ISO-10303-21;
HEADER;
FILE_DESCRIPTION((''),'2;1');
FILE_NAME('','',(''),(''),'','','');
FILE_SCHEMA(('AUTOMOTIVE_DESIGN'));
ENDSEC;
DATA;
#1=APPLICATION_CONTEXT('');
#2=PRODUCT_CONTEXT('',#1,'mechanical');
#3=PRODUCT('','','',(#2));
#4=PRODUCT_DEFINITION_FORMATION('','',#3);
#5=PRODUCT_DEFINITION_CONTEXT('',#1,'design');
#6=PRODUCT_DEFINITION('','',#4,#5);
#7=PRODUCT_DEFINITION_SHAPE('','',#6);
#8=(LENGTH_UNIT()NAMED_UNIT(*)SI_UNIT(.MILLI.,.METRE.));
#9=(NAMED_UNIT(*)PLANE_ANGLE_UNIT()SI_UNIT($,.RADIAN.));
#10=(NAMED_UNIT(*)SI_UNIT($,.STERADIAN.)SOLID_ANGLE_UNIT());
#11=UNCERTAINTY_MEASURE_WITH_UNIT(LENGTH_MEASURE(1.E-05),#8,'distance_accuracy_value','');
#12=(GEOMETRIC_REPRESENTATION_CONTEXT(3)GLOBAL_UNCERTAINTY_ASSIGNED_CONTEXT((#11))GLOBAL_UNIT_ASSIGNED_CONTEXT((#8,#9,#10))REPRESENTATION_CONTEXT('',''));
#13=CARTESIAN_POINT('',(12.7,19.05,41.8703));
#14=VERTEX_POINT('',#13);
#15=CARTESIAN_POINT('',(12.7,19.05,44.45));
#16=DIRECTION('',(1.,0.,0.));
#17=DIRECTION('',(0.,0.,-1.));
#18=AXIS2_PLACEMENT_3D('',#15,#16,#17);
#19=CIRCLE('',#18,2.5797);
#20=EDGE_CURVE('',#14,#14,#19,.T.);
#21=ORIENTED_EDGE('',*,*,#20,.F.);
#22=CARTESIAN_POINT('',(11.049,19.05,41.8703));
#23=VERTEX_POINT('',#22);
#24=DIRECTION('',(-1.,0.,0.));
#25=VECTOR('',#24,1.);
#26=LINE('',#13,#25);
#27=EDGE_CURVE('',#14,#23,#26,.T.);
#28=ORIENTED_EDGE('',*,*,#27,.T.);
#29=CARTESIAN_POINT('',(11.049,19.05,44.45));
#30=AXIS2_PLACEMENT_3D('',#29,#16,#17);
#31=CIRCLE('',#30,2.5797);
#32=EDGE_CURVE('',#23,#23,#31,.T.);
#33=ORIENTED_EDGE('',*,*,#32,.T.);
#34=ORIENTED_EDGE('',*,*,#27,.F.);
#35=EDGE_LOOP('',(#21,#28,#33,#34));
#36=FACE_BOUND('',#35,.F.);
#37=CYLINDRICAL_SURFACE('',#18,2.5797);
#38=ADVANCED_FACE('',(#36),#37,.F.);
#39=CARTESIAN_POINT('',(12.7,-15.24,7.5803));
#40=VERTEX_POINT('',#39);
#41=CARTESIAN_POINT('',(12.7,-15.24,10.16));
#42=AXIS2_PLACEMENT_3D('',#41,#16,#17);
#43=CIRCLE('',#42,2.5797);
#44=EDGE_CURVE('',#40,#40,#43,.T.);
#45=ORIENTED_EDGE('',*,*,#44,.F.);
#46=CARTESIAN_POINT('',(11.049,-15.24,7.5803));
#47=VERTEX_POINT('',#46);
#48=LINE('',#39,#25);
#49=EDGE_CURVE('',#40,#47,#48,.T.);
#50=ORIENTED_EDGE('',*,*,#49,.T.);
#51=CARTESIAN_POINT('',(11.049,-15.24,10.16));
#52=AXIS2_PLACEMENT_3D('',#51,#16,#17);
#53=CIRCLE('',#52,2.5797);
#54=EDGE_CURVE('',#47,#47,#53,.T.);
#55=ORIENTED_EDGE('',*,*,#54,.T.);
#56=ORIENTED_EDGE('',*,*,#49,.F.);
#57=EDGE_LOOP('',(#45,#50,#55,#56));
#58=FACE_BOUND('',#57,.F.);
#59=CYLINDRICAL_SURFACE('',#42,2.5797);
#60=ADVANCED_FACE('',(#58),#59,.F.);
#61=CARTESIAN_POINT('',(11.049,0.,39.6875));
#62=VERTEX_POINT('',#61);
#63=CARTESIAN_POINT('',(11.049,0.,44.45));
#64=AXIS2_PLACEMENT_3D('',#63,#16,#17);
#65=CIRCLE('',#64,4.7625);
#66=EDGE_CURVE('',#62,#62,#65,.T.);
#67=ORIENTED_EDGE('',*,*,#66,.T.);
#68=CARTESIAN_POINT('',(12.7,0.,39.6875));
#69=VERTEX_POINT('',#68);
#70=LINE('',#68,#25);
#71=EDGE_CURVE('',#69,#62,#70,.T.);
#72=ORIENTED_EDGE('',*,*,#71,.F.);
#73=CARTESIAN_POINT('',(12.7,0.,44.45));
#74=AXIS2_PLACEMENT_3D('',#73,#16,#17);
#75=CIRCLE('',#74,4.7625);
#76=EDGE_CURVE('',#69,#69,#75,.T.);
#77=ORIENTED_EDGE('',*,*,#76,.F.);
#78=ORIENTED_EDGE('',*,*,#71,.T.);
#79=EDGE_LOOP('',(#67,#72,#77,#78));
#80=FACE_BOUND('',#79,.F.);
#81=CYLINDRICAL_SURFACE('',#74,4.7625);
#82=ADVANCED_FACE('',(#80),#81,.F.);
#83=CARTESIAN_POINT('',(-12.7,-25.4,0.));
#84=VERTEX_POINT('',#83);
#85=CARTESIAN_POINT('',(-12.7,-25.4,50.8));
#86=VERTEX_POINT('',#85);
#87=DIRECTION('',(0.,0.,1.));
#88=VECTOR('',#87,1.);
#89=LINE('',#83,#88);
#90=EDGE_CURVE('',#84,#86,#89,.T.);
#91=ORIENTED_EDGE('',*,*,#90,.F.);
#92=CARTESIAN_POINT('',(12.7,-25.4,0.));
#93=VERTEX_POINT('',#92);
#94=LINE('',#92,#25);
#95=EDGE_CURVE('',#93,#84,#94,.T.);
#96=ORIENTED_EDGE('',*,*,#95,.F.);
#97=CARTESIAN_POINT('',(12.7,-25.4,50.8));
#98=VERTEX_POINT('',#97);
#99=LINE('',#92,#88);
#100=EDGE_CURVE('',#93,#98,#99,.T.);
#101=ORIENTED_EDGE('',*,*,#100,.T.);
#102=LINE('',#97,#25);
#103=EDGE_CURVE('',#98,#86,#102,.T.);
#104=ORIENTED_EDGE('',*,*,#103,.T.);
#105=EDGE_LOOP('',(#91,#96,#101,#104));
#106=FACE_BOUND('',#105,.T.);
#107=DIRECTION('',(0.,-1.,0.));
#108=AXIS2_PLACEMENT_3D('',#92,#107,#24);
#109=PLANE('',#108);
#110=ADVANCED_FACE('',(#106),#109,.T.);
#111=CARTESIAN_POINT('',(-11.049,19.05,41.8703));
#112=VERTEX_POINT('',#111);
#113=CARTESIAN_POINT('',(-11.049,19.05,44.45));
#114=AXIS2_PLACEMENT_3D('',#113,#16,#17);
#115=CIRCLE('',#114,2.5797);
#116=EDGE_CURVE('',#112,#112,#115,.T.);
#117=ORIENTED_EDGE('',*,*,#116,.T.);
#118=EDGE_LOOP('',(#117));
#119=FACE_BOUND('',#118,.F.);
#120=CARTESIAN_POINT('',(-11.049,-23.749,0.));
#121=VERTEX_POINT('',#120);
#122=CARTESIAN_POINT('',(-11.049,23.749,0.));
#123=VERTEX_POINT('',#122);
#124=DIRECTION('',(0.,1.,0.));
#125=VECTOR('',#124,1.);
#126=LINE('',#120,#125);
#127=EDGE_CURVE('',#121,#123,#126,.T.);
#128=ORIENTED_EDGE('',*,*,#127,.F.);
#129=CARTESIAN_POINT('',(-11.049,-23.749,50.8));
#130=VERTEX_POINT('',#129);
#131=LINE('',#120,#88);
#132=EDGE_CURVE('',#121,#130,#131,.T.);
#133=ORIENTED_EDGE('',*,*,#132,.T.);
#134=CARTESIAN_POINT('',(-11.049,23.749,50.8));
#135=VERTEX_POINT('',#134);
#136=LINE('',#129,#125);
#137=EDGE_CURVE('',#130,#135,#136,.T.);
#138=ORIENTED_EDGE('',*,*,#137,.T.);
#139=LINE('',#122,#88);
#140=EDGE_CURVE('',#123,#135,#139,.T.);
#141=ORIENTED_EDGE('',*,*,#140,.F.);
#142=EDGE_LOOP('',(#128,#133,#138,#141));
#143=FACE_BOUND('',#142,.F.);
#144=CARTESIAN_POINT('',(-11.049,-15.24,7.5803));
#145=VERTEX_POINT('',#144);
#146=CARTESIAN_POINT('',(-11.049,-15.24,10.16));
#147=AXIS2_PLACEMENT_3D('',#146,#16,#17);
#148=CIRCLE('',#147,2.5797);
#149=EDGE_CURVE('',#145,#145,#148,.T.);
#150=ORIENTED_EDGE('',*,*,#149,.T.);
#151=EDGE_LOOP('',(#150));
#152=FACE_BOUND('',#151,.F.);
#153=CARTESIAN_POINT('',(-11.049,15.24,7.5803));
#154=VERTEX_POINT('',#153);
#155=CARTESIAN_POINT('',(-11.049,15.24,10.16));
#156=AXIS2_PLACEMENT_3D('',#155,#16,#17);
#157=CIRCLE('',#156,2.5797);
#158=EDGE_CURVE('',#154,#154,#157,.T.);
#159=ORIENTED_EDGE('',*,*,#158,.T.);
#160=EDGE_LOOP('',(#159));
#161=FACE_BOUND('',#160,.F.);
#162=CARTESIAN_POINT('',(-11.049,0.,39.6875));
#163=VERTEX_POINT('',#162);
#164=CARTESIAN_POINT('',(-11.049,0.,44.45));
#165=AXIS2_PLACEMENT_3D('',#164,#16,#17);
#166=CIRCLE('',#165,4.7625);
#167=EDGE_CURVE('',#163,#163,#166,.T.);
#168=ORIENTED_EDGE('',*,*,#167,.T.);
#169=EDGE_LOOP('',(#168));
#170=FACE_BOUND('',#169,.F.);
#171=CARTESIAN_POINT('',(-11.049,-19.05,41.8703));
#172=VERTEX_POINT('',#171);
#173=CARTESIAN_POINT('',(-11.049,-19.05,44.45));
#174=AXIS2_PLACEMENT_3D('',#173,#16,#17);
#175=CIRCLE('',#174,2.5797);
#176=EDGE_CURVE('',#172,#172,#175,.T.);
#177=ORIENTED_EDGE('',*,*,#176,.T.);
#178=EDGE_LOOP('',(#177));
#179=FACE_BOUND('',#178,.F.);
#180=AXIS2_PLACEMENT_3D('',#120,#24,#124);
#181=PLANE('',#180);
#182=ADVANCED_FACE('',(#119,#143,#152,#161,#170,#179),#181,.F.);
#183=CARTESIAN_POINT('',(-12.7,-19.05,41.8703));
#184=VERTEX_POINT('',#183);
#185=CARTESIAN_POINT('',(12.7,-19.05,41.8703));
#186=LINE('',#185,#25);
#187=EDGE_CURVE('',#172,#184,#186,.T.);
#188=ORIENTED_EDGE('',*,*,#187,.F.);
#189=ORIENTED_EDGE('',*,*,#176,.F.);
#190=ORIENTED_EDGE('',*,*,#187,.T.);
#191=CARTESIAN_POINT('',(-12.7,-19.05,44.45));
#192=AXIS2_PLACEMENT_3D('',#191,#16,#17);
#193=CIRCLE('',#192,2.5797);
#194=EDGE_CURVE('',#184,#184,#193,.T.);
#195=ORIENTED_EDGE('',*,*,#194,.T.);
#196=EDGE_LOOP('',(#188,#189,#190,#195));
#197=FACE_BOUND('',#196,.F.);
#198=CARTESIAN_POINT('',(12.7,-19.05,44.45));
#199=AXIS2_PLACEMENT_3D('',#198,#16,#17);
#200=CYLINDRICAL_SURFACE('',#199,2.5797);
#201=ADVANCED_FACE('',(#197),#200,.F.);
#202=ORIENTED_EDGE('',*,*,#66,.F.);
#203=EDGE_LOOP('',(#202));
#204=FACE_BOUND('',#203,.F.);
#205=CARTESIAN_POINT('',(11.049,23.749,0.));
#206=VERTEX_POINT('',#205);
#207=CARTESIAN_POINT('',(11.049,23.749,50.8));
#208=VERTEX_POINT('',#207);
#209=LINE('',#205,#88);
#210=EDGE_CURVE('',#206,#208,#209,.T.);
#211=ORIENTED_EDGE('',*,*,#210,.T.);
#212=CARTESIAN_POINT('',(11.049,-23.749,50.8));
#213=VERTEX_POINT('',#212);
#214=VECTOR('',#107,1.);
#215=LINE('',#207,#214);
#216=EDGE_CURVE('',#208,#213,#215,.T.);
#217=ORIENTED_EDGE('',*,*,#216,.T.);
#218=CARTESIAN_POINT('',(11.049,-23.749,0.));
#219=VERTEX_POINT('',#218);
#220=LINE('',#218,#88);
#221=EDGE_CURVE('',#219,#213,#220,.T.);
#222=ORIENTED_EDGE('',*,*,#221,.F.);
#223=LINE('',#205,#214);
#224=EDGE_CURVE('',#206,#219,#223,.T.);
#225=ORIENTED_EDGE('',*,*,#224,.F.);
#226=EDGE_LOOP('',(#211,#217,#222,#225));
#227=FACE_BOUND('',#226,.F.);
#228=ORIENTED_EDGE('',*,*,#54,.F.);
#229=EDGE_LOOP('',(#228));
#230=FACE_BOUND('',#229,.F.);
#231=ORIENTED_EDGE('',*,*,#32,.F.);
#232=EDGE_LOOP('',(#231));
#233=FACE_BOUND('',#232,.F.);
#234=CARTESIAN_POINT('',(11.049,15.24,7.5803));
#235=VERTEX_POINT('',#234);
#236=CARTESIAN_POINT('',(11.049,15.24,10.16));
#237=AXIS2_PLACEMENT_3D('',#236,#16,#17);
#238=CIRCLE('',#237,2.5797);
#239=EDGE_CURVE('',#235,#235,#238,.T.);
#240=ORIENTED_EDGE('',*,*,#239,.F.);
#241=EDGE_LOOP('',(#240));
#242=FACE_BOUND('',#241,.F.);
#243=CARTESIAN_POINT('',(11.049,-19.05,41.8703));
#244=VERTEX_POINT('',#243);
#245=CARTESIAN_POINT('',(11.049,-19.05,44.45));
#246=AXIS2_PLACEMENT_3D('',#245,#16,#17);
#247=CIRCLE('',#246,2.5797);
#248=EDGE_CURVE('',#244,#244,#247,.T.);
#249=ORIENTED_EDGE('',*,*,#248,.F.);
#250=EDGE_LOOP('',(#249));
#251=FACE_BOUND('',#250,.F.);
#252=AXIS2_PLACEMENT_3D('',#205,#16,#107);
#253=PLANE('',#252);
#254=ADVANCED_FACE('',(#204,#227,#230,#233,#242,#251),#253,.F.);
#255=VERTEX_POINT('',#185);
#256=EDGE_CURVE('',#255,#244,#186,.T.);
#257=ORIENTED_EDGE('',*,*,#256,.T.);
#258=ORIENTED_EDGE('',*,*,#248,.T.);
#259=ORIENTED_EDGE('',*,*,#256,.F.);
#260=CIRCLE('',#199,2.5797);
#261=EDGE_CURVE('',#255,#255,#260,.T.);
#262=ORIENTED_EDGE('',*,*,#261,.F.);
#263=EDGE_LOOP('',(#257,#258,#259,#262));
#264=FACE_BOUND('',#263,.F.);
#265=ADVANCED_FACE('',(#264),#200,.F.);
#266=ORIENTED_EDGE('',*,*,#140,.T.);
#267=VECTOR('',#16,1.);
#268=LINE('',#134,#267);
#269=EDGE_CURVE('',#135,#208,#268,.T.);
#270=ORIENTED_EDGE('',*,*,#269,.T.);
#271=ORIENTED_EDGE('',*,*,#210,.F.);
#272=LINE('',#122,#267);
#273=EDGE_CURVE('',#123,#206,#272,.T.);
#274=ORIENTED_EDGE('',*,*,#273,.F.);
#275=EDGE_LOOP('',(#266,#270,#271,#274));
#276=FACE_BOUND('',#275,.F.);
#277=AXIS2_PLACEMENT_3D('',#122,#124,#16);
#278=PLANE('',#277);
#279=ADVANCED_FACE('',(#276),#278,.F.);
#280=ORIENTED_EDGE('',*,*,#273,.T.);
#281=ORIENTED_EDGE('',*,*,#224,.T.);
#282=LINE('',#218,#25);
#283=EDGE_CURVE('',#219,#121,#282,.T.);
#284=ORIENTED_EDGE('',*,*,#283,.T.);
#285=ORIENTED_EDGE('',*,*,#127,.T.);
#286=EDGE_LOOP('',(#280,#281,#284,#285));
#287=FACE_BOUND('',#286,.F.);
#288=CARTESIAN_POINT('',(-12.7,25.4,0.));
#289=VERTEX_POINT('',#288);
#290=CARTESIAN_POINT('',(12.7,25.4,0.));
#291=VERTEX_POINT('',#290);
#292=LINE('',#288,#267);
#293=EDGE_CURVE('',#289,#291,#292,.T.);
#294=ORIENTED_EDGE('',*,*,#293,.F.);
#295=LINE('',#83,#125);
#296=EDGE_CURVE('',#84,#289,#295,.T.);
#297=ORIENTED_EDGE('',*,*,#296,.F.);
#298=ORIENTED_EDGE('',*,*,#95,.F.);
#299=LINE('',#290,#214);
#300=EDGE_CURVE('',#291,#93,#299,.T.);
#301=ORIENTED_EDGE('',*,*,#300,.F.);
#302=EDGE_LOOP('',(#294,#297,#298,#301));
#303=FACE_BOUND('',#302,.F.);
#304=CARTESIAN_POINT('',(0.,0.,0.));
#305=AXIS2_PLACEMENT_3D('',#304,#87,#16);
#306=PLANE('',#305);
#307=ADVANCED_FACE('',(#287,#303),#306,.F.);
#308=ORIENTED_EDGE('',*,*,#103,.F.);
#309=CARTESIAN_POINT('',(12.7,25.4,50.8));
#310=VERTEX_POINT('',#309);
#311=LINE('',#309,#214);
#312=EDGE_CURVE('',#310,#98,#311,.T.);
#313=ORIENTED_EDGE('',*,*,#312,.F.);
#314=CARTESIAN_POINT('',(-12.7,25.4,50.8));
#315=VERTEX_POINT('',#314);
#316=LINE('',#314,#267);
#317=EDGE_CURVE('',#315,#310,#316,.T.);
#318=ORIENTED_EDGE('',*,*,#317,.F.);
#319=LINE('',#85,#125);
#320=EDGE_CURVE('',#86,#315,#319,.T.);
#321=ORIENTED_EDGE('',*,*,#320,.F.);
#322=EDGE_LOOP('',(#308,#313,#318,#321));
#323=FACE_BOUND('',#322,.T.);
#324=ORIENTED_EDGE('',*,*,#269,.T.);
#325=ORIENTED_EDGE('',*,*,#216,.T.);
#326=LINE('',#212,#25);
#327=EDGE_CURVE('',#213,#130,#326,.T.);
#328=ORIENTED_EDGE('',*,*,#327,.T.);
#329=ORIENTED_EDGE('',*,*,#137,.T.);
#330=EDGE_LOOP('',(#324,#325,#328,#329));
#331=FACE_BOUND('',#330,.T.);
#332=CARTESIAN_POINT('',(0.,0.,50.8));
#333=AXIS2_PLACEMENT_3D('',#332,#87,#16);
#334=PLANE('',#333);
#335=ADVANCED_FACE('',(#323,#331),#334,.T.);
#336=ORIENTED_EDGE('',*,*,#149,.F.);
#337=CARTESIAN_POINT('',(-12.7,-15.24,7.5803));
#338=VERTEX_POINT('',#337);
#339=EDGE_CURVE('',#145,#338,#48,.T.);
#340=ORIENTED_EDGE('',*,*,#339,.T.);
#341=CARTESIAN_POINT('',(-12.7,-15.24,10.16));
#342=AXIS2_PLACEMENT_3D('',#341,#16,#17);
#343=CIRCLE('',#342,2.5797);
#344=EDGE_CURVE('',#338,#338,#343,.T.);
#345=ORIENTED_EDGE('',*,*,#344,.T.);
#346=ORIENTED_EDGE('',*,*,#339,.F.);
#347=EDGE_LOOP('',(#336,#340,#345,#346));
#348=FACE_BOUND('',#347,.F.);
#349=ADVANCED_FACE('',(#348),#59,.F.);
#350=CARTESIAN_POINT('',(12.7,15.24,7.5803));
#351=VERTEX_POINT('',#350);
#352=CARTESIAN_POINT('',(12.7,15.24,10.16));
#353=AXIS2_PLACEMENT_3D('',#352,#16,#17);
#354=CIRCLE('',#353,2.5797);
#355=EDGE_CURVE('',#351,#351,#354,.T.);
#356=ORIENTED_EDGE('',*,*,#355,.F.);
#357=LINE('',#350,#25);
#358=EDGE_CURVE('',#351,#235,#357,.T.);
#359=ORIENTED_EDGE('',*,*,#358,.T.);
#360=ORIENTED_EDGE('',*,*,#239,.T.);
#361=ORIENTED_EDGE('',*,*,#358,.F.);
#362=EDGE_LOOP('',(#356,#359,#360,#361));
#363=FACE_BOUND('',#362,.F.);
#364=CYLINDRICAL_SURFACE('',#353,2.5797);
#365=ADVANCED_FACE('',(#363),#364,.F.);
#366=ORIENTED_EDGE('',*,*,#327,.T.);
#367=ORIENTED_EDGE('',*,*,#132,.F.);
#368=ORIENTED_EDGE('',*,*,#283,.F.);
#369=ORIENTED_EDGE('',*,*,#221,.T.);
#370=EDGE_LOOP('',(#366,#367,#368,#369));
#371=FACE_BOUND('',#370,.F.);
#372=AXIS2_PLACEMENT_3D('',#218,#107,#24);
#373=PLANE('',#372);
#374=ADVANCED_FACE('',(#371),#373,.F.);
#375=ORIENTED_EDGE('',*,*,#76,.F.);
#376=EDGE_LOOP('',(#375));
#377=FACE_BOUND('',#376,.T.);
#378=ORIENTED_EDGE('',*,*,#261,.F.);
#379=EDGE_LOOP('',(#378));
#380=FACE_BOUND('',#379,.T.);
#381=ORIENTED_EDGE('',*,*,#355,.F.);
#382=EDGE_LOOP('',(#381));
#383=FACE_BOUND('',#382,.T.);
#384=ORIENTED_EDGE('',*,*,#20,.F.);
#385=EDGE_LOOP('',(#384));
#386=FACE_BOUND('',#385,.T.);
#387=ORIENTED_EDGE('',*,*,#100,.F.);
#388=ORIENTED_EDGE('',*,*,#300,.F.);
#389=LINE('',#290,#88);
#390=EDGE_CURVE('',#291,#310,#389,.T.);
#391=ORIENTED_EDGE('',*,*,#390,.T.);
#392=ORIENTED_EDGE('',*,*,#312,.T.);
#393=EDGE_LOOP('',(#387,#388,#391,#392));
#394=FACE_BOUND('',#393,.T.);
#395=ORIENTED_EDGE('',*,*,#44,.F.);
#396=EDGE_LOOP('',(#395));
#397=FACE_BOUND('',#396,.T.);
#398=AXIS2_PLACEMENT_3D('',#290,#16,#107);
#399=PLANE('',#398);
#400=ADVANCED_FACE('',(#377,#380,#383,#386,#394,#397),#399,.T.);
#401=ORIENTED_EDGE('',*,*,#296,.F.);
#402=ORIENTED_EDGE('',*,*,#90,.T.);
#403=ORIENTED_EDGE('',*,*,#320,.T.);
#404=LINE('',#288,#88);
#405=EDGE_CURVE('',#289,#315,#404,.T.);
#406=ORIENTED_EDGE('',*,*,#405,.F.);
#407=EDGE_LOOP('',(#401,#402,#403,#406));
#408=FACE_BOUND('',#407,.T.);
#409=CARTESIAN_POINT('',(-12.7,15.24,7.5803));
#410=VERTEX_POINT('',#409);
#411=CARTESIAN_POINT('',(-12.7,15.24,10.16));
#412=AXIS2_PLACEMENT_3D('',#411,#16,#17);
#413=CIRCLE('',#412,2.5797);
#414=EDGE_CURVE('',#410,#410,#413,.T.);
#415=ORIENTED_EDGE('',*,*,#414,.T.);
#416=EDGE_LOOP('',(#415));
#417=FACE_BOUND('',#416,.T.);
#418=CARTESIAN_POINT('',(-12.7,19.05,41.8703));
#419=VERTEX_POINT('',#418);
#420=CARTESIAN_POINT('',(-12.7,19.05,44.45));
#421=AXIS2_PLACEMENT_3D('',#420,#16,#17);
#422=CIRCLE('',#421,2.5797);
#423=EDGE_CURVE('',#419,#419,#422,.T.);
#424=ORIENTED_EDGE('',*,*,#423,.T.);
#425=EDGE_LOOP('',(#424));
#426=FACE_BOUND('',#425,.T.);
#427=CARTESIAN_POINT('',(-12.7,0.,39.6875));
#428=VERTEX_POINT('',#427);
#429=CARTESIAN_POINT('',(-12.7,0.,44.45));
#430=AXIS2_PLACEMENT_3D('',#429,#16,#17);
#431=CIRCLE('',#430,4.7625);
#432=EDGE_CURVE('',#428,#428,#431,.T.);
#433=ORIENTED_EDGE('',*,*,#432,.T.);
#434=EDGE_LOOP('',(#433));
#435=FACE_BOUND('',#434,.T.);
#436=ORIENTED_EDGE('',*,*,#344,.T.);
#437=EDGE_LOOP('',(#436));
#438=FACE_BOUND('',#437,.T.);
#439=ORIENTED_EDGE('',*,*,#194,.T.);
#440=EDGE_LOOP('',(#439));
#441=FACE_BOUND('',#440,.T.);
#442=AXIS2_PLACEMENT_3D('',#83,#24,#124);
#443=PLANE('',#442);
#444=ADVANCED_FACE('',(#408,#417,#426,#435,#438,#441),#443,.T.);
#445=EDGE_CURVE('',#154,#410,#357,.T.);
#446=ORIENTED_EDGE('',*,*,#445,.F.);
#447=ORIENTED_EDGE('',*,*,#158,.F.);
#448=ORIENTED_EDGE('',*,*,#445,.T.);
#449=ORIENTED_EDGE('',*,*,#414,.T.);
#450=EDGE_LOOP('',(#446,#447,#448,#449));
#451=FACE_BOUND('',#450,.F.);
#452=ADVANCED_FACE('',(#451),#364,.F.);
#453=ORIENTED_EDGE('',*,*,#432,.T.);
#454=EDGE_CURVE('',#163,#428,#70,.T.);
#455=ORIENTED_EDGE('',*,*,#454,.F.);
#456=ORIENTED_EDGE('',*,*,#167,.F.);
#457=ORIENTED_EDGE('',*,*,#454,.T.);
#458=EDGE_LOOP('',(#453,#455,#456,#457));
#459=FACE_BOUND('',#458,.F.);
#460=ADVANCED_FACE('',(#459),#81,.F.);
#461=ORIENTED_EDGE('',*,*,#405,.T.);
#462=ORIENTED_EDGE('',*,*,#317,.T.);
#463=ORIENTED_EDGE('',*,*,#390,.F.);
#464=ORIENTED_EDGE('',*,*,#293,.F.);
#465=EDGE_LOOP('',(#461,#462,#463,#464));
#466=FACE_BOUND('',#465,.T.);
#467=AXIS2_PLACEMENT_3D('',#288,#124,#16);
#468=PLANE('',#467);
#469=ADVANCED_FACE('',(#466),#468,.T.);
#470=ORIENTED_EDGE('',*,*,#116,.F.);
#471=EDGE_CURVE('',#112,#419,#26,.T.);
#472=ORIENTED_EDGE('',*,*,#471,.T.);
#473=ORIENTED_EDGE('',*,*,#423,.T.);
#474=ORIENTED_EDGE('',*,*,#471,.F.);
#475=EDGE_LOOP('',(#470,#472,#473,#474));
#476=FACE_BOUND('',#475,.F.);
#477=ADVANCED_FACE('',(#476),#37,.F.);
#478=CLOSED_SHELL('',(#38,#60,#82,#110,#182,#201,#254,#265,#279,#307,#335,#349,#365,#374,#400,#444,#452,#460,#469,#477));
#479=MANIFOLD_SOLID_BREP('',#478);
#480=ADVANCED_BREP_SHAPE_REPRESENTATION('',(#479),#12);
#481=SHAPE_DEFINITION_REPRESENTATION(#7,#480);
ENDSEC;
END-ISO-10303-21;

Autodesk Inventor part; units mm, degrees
ref_plane "YZ Plane" through (0, 0, 0) normal (1, 0, 0) x (0, 1, 0)
ref_plane "XZ Plane" through (0, 0, 0) normal (0, 1, 0) x (-1, 0, 0)
ref_plane "XY Plane" through (0, 0, 0) normal (0, 0, 1) x (1, 0, 0)
sketch "Sketch1" plane through (0, 0, 0) normal (0, 0, 1) x (1, 0, 0)
  line L0 (12.7, -25.4) -> (-12.7, -25.4)
  line L1 (-12.7, -25.4) -> (-12.7, 25.4)
  line L2 (-12.7, 25.4) -> (12.7, 25.4)
  line L3 (12.7, 25.4) -> (12.7, -25.4)
  line L4 (11.049, -23.749) -> (-11.049, -23.749)
  line L5 (-11.049, -23.749) -> (-11.049, 23.749)
  line L6 (-11.049, 23.749) -> (11.049, 23.749)
  line L7 (11.049, 23.749) -> (11.049, -23.749)
  dimension "d0" = 25.4
  dimension "d1" = 50.8
  dimension "d2" = 1.651
  dimension "d3" = 1.651
  dimension "d4" = 1.651
  dimension "d5" = 1.651
extrude "Extrusion1" add sketch "Sketch1" along normal blind 50.8
sketch "Sketch2" plane through (12.7, -25.4, 0) normal (1, 0, 0) x (0, 0, -1)
  circle A0 centre (-44.45, 25.4) radius 4.7625
  line L0 (-50.8, 0) -> (-50.8, 50.8) projected
  line L1 (0, 0) -> (-50.8, 0) projected
  point P0 (0, 25.4)
  dimension "d8" = 9.525
  dimension "d9" = 6.35
  dimension "d10" = 25.4
extrude "Extrusion2" cut sketch "Sketch2" against normal blind 50.8
sketch "Sketch3" plane through (12.7, -25.4, 0) normal (1, 0, 0) x (0, 0, -1)
  circle A0 centre (-10.16, 10.16) radius 2.5797
  circle A1 centre (-44.45, 6.35) radius 2.5797
  circle A2 centre (-44.45, 44.45) radius 2.5797
  circle A3 centre (-10.16, 40.64) radius 2.5797
  line L0 (0, 50.8) -> (-50.8, 50.8) projected
  line L1 (0, 50.8) -> (0, 0) projected
  line L2 (0, 0) -> (-50.8, 0) projected
  line L3 (-50.8, 0) -> (-50.8, 50.8) projected
  point P0 (0, 25.4)
  dimension "d13" = 10.16
  dimension "d14" = 10.16
  dimension "d15" = 6.35
  dimension "d16" = 6.35
  dimension "d17" = 6.35
  dimension "d18" = 6.35
  dimension "d19" = 10.16
  dimension "d20" = 10.16
  dimension "d21" = 5.1594
  dimension "d22" = 5.1594
  dimension "d23" = 5.1594
  dimension "d24" = 5.1594
extrude "Extrusion3" cut sketch "Sketch3" against normal blind 50.8 contours A0 | A1 | A2 | A3
equation "\"d3\" = d2"
equation "\"d5\" = d3"
equation "\"d14\" = d13"
equation "\"d16\" = d15"
equation "\"d17\" = d15"
equation "\"d18\" = d15"
equation "\"d19\" = d13"
equation "\"d20\" = d13"
equation "\"d22\" = d21"
equation "\"d23\" = d21"
equation "\"d24\" = d21"
properties part number "back support bearing holder"
